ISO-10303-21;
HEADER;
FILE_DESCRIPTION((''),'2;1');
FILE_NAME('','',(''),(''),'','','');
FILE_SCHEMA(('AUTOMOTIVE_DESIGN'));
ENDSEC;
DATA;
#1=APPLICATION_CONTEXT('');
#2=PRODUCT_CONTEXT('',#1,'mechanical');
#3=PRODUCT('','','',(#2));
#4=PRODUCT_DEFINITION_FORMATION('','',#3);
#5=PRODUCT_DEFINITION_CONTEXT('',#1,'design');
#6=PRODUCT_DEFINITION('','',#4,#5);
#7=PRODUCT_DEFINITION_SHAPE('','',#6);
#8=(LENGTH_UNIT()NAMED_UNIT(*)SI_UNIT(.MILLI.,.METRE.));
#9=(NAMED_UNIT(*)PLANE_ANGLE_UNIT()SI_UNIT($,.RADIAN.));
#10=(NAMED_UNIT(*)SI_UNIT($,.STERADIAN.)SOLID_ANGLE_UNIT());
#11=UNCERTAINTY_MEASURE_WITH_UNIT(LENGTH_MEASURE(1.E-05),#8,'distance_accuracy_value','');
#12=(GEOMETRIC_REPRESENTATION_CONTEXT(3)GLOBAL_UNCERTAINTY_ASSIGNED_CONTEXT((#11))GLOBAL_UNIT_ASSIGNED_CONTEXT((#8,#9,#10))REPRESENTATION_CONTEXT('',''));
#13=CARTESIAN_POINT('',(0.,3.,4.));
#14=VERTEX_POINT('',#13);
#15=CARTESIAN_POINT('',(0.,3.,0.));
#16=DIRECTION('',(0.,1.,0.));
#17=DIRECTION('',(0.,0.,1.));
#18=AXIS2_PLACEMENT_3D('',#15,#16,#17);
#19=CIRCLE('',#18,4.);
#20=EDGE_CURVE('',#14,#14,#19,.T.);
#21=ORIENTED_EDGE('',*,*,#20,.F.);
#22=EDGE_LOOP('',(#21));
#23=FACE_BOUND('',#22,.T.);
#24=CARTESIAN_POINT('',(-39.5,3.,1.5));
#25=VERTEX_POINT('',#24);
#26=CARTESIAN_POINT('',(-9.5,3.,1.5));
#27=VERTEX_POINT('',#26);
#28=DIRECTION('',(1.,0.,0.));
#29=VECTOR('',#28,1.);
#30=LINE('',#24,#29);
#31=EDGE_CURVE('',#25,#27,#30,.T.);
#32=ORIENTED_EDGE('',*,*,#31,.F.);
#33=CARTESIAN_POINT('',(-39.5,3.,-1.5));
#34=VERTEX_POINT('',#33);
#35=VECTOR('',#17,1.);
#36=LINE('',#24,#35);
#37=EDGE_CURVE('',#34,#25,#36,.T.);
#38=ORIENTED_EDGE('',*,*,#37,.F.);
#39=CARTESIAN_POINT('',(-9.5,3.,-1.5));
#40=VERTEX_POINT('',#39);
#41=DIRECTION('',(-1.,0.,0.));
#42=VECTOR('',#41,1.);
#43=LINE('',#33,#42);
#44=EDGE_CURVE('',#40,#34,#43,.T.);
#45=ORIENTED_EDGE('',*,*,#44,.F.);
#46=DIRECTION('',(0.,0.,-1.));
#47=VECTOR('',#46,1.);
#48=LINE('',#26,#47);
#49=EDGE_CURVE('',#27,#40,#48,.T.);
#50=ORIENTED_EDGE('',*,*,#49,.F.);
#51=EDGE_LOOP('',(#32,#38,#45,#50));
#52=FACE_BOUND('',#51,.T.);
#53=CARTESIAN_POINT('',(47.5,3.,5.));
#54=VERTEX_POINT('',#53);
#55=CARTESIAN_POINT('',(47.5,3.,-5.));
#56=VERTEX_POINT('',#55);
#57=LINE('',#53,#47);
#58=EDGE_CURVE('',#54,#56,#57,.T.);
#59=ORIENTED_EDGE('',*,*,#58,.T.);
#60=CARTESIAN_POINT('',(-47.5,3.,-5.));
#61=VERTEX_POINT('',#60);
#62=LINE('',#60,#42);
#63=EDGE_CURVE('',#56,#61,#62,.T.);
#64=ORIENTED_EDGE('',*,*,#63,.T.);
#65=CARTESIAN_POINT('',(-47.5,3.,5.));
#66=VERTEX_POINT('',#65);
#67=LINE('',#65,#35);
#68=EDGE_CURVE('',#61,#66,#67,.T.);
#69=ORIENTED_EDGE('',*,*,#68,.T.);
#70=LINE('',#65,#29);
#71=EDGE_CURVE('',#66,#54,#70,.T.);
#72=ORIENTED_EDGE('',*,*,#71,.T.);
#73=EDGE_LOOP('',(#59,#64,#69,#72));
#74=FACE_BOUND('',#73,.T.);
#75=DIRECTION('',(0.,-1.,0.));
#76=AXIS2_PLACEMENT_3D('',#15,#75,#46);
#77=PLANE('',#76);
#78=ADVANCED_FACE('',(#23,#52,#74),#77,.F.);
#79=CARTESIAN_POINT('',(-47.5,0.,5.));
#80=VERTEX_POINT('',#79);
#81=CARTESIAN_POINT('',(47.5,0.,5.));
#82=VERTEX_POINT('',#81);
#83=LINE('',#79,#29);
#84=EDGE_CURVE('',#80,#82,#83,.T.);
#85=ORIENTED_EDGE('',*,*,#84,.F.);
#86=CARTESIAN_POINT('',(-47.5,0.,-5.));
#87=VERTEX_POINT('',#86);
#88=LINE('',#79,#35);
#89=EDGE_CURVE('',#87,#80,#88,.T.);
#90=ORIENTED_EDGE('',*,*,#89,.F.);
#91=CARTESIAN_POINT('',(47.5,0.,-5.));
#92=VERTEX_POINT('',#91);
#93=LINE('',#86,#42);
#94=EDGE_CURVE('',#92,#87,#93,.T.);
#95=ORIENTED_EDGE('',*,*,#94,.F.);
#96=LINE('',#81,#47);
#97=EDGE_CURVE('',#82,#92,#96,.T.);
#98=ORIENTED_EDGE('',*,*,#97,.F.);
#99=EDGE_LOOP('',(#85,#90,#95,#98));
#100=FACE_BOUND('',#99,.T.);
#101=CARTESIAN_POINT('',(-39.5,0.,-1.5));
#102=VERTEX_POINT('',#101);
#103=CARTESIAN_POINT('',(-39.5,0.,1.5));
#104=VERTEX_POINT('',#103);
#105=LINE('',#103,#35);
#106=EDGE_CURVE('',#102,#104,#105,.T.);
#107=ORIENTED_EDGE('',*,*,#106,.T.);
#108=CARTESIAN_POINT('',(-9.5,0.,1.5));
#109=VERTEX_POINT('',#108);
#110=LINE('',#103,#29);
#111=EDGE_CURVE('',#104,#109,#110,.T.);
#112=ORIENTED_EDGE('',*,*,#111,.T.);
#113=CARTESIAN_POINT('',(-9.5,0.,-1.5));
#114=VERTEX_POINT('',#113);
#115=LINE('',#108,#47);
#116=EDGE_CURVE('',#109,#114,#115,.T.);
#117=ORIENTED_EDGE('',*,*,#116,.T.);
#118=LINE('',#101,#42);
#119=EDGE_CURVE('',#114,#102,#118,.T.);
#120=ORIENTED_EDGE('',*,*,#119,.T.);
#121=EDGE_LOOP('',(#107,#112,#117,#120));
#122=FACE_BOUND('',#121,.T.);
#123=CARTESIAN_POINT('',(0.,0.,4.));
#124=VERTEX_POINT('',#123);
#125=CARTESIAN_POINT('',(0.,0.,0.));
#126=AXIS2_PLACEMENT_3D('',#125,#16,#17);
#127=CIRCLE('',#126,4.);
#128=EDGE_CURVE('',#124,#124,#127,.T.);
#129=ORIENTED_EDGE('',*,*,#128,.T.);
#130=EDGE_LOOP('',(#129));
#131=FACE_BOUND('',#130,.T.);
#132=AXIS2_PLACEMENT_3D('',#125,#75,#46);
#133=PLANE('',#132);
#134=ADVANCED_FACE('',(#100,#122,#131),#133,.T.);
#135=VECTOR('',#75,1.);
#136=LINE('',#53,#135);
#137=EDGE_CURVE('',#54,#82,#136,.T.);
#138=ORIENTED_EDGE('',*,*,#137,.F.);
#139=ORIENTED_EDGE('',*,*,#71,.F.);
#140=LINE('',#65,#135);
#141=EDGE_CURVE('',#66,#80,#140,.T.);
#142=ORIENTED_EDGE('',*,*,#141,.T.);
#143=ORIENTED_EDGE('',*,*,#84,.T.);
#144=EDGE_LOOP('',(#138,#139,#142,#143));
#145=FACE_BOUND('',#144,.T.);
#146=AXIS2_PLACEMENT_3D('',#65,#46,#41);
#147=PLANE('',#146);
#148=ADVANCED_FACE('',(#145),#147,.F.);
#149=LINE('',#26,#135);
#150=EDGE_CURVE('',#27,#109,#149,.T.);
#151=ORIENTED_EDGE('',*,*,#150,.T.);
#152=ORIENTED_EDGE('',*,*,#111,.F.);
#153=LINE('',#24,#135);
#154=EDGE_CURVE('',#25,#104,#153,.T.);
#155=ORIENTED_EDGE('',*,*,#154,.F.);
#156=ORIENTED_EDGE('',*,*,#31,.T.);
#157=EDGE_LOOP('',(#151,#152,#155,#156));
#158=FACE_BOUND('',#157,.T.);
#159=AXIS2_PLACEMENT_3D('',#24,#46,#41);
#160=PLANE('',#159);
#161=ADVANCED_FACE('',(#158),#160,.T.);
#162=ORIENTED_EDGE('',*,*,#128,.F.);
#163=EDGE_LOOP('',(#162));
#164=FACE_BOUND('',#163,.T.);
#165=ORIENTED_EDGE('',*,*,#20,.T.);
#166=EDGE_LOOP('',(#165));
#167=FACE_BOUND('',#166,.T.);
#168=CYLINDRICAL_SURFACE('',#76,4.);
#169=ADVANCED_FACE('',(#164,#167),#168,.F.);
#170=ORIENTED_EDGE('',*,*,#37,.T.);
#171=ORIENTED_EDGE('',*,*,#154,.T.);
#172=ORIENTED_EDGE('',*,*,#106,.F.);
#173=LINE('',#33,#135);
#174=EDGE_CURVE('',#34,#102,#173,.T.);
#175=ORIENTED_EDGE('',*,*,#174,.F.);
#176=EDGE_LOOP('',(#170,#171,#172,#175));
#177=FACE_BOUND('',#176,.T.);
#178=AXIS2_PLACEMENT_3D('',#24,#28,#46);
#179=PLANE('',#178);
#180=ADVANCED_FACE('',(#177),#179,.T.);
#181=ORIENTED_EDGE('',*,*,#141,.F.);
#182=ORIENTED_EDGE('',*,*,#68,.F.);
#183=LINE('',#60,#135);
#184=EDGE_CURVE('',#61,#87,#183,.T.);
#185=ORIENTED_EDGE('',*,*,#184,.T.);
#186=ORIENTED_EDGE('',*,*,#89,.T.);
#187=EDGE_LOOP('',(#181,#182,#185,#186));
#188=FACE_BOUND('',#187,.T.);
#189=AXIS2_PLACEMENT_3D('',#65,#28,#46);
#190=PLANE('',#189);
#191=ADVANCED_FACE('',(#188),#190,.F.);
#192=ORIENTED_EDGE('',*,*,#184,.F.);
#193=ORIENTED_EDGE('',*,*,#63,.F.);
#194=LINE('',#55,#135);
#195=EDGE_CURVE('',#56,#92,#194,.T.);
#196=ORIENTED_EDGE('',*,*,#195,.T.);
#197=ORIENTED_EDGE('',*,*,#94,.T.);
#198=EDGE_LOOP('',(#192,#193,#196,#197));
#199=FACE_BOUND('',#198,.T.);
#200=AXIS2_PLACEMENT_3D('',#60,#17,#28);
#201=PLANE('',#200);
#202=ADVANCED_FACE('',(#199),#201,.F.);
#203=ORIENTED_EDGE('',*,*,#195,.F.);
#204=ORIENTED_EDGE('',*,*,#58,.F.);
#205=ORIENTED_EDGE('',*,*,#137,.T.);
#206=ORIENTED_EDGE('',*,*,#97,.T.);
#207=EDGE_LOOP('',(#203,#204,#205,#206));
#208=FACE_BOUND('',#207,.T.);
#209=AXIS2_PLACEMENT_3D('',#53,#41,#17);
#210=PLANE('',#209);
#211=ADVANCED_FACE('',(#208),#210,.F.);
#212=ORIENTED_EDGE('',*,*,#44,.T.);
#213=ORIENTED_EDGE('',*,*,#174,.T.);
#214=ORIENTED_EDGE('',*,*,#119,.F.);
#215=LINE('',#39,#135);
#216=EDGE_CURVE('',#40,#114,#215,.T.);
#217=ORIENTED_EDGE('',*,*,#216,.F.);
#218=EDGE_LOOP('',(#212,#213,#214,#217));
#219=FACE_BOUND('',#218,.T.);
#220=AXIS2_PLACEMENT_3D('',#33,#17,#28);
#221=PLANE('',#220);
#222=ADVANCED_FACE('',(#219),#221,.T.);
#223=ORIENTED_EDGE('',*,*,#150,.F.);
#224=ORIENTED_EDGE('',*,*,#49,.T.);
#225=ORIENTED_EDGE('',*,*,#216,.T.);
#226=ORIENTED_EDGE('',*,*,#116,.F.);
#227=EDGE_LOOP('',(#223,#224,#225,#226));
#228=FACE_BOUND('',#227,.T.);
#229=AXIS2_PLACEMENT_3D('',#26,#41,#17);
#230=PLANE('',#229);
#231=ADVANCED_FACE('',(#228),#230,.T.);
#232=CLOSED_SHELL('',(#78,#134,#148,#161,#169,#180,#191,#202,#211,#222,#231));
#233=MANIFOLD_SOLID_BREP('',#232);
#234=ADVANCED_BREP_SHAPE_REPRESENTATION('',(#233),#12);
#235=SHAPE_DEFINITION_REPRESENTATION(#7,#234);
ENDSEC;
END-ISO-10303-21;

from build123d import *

# Parameters (mm, degrees)
CROQUIS1_W              = 95
CROQUIS1_H              = 10
CROQUIS1_R              = 4
CROQUIS1_W_2            = 30
CROQUIS1_H_2            = 3
SALIENTE_EXTRUIR1_DEPTH = 3


with BuildPart() as part:
    # Croquis1 → Saliente-Extruir1 (new body)
    with BuildSketch(Plane(origin=(0, 0, 0), x_dir=(1, 0, 0), z_dir=(0, 1, 0))):
        Rectangle(CROQUIS1_W, CROQUIS1_H)
        Circle(CROQUIS1_R, mode=Mode.SUBTRACT)
        with Locations((-24.5, 0)):
            Rectangle(CROQUIS1_W_2, CROQUIS1_H_2, mode=Mode.SUBTRACT)
    extrude(amount=SALIENTE_EXTRUIR1_DEPTH)


solid = part.part
